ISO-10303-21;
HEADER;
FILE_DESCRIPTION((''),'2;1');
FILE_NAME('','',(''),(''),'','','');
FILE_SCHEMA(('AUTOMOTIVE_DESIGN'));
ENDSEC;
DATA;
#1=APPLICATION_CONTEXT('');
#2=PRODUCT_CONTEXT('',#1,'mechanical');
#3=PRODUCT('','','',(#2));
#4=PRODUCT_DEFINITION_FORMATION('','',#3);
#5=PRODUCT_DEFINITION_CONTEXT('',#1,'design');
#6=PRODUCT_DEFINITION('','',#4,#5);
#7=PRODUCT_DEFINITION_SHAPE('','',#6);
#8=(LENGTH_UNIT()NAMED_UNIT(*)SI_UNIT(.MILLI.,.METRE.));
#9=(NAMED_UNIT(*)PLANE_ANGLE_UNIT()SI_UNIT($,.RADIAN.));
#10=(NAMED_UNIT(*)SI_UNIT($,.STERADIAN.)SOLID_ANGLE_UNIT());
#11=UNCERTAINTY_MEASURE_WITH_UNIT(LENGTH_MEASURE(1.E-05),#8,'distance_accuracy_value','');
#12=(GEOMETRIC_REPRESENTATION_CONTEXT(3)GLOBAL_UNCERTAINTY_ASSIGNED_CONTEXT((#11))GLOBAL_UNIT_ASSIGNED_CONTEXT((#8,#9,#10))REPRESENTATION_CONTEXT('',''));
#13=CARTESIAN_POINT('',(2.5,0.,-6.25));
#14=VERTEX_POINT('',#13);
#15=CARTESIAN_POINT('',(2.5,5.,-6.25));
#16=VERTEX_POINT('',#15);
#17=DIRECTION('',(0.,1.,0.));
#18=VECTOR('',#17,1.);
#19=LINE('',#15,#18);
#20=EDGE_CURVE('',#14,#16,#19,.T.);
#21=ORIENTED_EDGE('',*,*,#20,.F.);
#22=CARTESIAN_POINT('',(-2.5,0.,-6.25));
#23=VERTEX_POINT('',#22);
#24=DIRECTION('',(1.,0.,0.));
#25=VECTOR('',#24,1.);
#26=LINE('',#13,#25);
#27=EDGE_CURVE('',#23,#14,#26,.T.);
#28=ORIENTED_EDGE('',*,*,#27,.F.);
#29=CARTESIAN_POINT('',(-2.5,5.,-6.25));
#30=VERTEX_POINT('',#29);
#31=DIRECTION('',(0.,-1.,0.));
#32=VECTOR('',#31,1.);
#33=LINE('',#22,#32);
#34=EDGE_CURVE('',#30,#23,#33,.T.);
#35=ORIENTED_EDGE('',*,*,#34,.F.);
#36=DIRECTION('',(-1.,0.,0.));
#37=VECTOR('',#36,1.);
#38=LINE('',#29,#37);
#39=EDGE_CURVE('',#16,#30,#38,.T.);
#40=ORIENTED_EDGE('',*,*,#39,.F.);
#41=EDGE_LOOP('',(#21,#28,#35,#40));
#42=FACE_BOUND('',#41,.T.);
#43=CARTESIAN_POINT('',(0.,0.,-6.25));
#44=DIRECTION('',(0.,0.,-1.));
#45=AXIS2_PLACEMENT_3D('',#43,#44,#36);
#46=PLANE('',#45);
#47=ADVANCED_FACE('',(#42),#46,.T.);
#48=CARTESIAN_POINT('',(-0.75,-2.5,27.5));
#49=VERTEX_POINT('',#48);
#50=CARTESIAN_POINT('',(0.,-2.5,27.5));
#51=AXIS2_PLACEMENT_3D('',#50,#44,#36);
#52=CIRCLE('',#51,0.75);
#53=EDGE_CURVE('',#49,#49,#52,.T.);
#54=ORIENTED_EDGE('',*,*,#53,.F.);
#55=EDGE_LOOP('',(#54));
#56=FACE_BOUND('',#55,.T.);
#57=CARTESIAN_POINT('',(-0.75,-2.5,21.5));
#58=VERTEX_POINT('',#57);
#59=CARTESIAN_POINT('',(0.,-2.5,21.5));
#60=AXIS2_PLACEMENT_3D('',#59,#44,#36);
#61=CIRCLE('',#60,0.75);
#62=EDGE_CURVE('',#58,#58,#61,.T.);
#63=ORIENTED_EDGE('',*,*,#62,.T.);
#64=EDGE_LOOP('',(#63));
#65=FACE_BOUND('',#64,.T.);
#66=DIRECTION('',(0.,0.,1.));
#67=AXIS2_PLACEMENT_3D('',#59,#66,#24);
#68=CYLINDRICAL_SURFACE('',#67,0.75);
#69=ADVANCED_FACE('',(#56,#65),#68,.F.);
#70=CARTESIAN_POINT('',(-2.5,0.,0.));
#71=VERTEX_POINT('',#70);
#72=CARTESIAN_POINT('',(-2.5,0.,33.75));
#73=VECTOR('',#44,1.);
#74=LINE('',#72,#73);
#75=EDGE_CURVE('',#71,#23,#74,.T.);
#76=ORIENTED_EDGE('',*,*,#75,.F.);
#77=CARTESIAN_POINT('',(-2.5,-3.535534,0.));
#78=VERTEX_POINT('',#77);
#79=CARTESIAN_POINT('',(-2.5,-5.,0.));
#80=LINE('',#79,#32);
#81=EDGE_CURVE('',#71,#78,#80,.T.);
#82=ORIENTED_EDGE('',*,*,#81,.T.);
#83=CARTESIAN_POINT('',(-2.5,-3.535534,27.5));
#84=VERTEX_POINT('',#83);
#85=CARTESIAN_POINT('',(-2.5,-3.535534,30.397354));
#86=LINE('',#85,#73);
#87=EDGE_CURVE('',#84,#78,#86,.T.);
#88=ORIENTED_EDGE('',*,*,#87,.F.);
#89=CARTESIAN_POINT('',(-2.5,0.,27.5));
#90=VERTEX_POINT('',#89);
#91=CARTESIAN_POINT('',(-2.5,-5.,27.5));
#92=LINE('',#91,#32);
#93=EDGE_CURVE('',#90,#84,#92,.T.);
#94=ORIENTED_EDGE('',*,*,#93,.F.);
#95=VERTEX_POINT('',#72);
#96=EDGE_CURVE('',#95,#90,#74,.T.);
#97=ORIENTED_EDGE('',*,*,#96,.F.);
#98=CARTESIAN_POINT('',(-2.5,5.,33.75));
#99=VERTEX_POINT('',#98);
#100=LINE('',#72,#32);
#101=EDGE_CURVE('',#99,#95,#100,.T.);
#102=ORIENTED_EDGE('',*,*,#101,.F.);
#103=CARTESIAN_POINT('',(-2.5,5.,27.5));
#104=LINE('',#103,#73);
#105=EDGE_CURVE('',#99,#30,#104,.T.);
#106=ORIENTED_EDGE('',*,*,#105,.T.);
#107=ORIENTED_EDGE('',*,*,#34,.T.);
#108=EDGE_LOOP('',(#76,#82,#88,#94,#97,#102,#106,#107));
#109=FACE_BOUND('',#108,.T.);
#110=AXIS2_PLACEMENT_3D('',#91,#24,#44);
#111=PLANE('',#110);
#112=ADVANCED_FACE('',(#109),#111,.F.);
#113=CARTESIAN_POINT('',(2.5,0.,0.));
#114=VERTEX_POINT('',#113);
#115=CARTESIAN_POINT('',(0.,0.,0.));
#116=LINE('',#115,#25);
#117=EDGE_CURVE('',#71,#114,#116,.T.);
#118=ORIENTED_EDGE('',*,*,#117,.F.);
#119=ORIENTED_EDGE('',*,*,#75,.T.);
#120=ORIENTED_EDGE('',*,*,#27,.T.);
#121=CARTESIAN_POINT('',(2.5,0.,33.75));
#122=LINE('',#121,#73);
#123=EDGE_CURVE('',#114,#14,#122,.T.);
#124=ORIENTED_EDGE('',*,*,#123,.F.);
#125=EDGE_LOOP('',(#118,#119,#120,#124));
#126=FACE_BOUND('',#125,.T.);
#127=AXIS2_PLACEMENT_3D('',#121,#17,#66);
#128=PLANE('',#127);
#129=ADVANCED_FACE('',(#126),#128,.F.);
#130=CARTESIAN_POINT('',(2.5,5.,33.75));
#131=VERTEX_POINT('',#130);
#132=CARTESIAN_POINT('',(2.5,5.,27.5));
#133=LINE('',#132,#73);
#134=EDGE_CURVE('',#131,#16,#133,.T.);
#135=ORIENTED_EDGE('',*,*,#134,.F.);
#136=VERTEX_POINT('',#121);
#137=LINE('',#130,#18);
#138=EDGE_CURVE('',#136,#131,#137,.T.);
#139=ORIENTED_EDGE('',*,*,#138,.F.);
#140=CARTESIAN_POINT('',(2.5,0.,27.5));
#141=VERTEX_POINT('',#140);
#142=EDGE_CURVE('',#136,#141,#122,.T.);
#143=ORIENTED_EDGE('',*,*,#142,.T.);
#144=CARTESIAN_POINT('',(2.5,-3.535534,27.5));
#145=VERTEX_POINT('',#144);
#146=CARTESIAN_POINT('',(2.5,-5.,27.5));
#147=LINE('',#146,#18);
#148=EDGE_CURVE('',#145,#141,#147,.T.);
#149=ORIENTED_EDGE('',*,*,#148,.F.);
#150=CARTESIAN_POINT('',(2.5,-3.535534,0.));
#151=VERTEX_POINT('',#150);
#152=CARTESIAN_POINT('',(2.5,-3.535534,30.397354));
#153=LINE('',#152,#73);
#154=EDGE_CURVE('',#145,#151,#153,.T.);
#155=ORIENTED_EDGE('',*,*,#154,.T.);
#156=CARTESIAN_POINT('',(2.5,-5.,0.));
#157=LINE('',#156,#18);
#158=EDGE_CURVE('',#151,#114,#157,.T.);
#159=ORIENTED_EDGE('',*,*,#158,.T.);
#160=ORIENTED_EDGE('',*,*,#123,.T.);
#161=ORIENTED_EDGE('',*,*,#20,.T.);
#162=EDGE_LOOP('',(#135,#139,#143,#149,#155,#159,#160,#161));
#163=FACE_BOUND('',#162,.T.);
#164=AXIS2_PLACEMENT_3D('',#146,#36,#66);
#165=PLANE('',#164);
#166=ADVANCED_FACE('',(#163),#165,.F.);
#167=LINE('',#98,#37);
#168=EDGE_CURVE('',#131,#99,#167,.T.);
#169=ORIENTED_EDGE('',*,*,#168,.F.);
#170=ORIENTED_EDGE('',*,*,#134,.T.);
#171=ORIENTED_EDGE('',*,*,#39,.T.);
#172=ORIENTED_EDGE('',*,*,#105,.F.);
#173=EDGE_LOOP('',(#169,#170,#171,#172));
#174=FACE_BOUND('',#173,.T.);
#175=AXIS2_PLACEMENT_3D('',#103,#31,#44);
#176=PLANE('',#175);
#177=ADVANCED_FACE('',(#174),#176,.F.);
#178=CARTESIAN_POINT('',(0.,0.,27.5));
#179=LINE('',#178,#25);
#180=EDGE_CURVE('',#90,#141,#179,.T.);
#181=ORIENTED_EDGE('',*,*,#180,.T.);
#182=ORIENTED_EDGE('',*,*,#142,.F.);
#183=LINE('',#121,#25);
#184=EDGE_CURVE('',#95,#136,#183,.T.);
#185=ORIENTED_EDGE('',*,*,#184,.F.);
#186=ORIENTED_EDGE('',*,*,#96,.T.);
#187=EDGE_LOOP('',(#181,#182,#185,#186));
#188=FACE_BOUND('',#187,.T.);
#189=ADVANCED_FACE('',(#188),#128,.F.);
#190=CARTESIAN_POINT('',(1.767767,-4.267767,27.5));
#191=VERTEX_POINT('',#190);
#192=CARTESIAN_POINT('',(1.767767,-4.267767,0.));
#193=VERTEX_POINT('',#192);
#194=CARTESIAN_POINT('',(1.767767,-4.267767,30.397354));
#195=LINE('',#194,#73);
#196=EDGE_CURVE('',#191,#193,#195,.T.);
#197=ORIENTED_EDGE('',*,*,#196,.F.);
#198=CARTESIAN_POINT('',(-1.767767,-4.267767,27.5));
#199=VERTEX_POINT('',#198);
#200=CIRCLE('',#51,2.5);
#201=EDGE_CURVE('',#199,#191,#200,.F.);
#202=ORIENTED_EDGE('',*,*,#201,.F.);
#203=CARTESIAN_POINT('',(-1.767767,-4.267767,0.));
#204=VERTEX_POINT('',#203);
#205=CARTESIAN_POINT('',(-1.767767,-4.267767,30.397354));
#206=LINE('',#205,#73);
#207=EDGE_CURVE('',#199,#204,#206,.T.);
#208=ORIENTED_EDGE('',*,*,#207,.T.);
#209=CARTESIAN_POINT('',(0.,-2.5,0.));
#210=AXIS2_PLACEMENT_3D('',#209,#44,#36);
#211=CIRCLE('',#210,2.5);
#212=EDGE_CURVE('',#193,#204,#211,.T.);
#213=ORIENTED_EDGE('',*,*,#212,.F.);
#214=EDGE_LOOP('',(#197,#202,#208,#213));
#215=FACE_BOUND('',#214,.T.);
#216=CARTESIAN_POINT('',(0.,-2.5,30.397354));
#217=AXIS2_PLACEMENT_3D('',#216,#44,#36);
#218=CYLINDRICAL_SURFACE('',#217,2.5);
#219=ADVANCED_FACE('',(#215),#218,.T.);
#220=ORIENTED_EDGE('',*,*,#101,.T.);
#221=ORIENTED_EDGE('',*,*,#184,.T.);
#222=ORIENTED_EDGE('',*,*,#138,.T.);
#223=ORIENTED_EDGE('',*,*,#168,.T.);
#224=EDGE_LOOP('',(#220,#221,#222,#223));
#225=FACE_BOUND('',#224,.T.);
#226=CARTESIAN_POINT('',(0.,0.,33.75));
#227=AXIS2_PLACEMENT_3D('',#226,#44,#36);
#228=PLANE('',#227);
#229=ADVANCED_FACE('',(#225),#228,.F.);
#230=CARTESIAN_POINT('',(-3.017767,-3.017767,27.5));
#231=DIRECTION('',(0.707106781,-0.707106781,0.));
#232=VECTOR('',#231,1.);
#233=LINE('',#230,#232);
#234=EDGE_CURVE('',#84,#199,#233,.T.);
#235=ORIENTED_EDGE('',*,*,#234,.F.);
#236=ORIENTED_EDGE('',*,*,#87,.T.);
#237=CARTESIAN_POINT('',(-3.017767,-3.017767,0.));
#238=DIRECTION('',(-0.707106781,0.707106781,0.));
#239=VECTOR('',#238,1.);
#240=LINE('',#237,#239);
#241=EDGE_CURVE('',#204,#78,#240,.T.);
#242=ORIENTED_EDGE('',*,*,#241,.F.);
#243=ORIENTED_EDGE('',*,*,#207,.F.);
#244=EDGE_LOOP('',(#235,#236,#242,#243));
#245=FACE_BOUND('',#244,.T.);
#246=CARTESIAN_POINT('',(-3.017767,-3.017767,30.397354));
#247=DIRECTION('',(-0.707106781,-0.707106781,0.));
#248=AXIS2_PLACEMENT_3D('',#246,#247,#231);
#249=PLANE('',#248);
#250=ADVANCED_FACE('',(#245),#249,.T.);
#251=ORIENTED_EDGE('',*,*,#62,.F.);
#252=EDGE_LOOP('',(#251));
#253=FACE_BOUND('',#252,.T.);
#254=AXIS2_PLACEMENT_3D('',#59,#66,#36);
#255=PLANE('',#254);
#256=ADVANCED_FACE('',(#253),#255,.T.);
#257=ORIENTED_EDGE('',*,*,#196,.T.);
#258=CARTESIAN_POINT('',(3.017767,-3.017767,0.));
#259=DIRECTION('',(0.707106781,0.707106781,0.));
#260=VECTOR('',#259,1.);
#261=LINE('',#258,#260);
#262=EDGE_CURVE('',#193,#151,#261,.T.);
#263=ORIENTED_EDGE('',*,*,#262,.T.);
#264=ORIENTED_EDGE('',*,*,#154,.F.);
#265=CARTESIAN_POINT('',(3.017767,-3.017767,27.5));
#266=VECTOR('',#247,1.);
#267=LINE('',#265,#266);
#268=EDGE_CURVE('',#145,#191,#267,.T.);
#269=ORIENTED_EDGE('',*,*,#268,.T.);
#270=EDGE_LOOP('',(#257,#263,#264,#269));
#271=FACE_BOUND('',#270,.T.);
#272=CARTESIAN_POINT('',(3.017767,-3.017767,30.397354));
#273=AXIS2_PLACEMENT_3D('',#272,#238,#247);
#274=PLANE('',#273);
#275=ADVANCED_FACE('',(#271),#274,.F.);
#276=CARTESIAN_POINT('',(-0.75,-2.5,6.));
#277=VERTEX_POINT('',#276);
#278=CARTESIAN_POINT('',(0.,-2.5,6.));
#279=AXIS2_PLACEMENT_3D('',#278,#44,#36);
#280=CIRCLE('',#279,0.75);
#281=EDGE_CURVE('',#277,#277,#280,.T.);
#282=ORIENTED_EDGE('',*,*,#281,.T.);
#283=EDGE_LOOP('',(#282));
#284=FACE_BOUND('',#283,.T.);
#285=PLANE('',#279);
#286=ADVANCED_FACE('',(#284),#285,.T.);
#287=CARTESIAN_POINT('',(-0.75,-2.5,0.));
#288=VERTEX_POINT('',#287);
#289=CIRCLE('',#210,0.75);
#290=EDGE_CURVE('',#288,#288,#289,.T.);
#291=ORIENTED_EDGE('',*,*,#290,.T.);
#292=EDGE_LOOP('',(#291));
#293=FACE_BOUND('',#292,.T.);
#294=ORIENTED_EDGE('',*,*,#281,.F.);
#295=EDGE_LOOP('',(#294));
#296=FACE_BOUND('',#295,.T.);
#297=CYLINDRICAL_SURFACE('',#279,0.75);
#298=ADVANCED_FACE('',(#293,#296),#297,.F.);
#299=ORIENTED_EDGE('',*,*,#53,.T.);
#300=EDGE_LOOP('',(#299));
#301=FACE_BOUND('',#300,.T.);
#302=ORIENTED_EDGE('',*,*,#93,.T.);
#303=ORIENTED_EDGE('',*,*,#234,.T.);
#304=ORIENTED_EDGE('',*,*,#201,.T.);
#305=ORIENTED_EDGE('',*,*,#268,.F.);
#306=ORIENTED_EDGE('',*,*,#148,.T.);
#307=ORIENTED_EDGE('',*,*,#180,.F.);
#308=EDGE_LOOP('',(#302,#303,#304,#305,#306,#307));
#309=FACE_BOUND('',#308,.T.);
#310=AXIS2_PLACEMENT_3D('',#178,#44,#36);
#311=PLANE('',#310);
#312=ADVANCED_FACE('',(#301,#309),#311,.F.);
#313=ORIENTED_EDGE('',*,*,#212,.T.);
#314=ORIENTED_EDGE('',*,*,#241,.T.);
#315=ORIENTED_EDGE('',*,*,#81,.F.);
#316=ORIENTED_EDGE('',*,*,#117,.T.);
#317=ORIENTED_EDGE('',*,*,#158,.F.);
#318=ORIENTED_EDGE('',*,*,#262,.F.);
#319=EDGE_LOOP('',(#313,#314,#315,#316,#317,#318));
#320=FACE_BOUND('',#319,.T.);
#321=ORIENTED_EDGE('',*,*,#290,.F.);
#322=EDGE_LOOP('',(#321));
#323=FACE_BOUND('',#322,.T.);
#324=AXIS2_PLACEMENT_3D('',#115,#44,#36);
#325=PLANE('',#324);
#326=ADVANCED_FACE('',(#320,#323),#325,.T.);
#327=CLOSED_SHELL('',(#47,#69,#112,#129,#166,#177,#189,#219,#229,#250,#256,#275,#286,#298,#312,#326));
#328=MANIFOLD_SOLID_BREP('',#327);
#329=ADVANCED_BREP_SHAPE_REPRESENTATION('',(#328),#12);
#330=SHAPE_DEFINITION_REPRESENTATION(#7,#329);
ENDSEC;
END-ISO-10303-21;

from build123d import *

# Parameters (mm, degrees)
SKETCH_1_W          = 5
SKETCH_1_H          = 10
EXTRUDE_1_DEPTH     = 27.5
SKETCH_2_W          = 5
SKETCH_2_H          = 5
EXTRUDE_2_DEPTH     = 20
SKETCH_3_R          = 0.75
CUT_EXTRUDE_1_DEPTH = 6
CUT_EXTRUDE_2_DEPTH = 27.5


with BuildPart() as part:
    # 草图1 → 凸台-拉伸1 (new body)
    with BuildSketch(Plane.XY):
        Rectangle(SKETCH_1_W, SKETCH_1_H)
    extrude(amount=EXTRUDE_1_DEPTH)

    # 草图2 → 凸台-拉伸2 (add, symmetric)
    with BuildSketch(Plane.XY.offset(13.75)):
        with Locations((0, 2.5)):
            Rectangle(SKETCH_2_W, SKETCH_2_H)
    extrude(amount=EXTRUDE_2_DEPTH, both=True)

    # 草图3 → 切除-拉伸1 (cut)
    with BuildSketch(Plane(origin=(0, 0, 0), x_dir=(-1, 0, 0), z_dir=(0, 0, -1))):
        with Locations((0, -2.5)):
            Circle(SKETCH_3_R)
    cut_extrude_1 = extrude(amount=-CUT_EXTRUDE_1_DEPTH, mode=Mode.SUBTRACT)

    # 镜向1: 切除-拉伸1 across plane
    add(cut_extrude_1.mirror(Plane.XY.offset(13.75)), mode=Mode.SUBTRACT)

    # 草图4 → 切除-拉伸2 (cut)
    with BuildSketch(Plane(origin=(0, 0, 0), x_dir=(-1, 0, 0), z_dir=(0, 0, -1))):
        with BuildLine():
            ThreePointArc((0, -5), (-0.956708581, -4.809698831), (-1.767766953, -4.267766953))
            Line((-1.767766953, -4.267766953), (-2.5, -3.535533906))
            Line((-2.5, -3.535533906), (-2.5, -5))
            Line((-2.5, -5), (0, -5))
        make_face()
        with BuildLine():
            ThreePointArc((1.767766953, -4.267766953), (0.956708581, -4.809698831), (0, -5))
            Line((0, -5), (2.5, -5))
            Line((2.5, -5), (2.5, -3.535533906))
            Line((2.5, -3.535533906), (1.767766953, -4.267766953))
        make_face()
    extrude(amount=-CUT_EXTRUDE_2_DEPTH, mode=Mode.SUBTRACT)


solid = part.part
